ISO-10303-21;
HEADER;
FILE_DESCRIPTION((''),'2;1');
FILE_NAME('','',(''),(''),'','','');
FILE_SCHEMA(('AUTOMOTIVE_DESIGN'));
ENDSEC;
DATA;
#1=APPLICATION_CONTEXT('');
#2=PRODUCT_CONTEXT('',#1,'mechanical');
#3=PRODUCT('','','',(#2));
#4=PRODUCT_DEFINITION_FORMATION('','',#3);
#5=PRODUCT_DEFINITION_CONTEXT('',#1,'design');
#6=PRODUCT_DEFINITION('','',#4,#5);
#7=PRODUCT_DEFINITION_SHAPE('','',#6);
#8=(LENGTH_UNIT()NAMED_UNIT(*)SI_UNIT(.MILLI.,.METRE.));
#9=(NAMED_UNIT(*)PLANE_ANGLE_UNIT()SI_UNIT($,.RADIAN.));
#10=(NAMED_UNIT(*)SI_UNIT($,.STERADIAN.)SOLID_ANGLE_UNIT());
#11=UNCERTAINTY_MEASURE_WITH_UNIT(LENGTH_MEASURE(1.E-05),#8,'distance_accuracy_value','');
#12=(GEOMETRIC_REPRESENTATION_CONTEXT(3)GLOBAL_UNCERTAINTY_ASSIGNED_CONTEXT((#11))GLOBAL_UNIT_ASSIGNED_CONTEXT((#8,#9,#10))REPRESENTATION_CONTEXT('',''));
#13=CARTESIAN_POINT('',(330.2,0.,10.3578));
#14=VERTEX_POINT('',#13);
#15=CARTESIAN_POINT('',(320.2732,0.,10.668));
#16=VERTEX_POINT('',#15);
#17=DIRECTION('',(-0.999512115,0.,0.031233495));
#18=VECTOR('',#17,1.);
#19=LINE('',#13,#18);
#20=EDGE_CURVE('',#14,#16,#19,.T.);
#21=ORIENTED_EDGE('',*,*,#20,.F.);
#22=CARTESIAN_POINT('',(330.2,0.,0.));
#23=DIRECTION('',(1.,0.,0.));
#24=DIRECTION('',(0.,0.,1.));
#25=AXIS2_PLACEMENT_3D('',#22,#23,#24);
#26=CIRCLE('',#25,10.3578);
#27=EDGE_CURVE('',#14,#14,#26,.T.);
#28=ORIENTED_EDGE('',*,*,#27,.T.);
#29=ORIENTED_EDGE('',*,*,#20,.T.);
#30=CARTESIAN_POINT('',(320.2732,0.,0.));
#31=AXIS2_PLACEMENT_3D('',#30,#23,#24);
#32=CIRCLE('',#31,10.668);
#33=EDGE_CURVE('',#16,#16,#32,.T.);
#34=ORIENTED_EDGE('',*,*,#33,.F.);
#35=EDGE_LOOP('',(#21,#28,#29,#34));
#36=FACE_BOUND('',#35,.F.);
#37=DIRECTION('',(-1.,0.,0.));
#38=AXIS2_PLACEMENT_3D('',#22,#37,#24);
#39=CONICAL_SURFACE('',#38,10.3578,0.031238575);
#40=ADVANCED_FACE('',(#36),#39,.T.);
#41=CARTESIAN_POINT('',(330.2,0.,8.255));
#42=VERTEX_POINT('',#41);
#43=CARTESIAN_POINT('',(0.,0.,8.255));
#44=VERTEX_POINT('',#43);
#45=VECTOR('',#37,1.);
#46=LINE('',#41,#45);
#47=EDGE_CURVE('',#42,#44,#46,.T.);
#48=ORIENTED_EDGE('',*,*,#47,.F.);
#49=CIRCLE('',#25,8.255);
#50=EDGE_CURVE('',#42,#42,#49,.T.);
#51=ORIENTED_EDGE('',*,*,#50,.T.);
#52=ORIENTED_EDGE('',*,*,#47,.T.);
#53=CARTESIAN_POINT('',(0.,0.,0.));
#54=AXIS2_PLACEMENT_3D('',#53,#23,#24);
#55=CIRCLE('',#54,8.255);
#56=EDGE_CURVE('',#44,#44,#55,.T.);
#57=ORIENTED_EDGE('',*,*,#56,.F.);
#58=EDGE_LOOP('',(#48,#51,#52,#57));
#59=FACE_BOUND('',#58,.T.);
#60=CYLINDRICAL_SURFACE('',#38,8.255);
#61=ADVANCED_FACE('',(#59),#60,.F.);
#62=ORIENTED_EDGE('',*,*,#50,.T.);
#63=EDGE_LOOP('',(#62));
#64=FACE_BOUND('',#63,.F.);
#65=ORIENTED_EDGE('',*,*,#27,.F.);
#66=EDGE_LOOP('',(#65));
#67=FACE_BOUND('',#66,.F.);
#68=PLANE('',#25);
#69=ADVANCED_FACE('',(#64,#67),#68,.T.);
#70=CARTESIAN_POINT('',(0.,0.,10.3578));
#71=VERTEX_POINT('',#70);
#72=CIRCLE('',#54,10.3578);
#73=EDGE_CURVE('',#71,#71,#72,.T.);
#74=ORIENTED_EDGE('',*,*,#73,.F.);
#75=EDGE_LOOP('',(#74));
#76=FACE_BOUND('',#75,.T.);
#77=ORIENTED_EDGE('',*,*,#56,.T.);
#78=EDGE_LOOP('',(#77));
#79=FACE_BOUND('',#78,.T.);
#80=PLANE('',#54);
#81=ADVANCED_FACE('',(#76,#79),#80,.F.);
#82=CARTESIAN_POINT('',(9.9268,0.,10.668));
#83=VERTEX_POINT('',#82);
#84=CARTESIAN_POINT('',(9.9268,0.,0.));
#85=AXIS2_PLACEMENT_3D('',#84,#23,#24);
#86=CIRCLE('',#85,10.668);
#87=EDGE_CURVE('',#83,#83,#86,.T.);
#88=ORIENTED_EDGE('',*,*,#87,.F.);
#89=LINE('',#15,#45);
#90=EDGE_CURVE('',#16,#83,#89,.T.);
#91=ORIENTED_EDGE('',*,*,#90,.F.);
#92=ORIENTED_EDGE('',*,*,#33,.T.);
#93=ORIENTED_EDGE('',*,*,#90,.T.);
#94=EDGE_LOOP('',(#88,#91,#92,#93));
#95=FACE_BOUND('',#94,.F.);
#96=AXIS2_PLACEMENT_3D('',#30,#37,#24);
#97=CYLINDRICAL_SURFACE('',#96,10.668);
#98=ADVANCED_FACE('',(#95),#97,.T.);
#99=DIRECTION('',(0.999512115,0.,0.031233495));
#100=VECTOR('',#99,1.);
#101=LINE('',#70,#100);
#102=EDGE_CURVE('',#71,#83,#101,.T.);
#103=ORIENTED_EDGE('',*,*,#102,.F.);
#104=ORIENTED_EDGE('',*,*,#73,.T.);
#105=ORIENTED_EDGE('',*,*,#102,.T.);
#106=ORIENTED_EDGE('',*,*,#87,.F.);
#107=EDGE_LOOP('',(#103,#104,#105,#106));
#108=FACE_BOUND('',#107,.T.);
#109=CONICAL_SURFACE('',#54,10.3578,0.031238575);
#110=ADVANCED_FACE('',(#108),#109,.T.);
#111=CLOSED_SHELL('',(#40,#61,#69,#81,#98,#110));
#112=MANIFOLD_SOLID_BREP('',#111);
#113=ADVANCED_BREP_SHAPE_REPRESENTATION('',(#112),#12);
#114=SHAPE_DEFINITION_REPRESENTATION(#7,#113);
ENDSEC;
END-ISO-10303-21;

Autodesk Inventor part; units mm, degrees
ref_plane "YZ Plane" through (0, 0, 0) normal (1, 0, 0) x (0, 1, 0)
ref_plane "XZ Plane" through (0, 0, 0) normal (0, 1, 0) x (-1, 0, 0)
ref_plane "XY Plane" through (0, 0, 0) normal (0, 0, 1) x (1, 0, 0)
sketch "Sketch1" plane through (0, 0, 0) normal (0, 1, 0) x (-1, 0, 0)
  line L0 (0, 0) -> (-330.2, 0)
  line L1 (-330.2, 0) -> (-330.2, 8.255) construction
  line L2 (-330.2, 8.255) -> (-330.2, 10.3578)
  line L3 (-330.2, 10.3578) -> (-320.2732, 10.668)
  line L4 (-320.2732, 10.668) -> (-9.9268, 10.668)
  line L5 (-165.1, 0) -> (-165.1, 10.668) construction
  line L6 (-330.2, 8.255) -> (0, 8.255)
  line L7 (0, 0) -> (0, 8.255) construction
  line L8 (0, 8.255) -> (0, 10.3578)
  line L9 (0, 10.3578) -> (-9.9268, 10.668)
  line L10 (-316.644, 10.7814) -> (-316.644, 0) construction
  line L11 (-13.556, 10.7814) -> (-13.556, 0) construction
  line L12 (-320.2732, 10.668) -> (-316.644, 10.7814) construction
  line L13 (-320.2732, 10.668) -> (-320.2732, 0) construction
  line L14 (-9.9268, 10.668) -> (-13.556, 10.7814) construction
  line L15 (-9.9268, 10.668) -> (-9.9268, 0) construction
  dimension "d0" = 21.336
  dimension "d1" = 1.79
  dimension "d2" = 16.51
  dimension "d3" = 330.2
  dimension "d4" = 13.556
  dimension "d5" = 21.5628
revolve "Revolution1" add sketch "Sketch1" angle 360 about axis through (0, 0, 0) along (1, 0, 0)
thread "Thread1" size "1/2" designation "1/2 - 14 NPT" standard "NPT" full length
thread "Thread2" size "1/2" designation "1/2 - 14 NPT" standard "NPT" full length
equation "\"d0\" = OD"
equation "\"d2\" = ID"
equation "\"d3\" = L"
equation "\"d4\" = L2"
equation "\"d5\" = D2"
equation "\"OD\" = 21.336"
equation "\"t\" = 2.413"
equation "\"L\" = PL"
equation "\"L4\" = 19.8501"
equation "\"ID\" = 16.51"
equation "\"PL\" = 330.2"
equation "\"D2\" = 21.56282"
equation "\"L2\" = 13.55598"
equation "\"Size_Designation\" = 1.2345"
equation "\"PLmin\" = 2 * L2"
properties material "Steel, Wrought"
